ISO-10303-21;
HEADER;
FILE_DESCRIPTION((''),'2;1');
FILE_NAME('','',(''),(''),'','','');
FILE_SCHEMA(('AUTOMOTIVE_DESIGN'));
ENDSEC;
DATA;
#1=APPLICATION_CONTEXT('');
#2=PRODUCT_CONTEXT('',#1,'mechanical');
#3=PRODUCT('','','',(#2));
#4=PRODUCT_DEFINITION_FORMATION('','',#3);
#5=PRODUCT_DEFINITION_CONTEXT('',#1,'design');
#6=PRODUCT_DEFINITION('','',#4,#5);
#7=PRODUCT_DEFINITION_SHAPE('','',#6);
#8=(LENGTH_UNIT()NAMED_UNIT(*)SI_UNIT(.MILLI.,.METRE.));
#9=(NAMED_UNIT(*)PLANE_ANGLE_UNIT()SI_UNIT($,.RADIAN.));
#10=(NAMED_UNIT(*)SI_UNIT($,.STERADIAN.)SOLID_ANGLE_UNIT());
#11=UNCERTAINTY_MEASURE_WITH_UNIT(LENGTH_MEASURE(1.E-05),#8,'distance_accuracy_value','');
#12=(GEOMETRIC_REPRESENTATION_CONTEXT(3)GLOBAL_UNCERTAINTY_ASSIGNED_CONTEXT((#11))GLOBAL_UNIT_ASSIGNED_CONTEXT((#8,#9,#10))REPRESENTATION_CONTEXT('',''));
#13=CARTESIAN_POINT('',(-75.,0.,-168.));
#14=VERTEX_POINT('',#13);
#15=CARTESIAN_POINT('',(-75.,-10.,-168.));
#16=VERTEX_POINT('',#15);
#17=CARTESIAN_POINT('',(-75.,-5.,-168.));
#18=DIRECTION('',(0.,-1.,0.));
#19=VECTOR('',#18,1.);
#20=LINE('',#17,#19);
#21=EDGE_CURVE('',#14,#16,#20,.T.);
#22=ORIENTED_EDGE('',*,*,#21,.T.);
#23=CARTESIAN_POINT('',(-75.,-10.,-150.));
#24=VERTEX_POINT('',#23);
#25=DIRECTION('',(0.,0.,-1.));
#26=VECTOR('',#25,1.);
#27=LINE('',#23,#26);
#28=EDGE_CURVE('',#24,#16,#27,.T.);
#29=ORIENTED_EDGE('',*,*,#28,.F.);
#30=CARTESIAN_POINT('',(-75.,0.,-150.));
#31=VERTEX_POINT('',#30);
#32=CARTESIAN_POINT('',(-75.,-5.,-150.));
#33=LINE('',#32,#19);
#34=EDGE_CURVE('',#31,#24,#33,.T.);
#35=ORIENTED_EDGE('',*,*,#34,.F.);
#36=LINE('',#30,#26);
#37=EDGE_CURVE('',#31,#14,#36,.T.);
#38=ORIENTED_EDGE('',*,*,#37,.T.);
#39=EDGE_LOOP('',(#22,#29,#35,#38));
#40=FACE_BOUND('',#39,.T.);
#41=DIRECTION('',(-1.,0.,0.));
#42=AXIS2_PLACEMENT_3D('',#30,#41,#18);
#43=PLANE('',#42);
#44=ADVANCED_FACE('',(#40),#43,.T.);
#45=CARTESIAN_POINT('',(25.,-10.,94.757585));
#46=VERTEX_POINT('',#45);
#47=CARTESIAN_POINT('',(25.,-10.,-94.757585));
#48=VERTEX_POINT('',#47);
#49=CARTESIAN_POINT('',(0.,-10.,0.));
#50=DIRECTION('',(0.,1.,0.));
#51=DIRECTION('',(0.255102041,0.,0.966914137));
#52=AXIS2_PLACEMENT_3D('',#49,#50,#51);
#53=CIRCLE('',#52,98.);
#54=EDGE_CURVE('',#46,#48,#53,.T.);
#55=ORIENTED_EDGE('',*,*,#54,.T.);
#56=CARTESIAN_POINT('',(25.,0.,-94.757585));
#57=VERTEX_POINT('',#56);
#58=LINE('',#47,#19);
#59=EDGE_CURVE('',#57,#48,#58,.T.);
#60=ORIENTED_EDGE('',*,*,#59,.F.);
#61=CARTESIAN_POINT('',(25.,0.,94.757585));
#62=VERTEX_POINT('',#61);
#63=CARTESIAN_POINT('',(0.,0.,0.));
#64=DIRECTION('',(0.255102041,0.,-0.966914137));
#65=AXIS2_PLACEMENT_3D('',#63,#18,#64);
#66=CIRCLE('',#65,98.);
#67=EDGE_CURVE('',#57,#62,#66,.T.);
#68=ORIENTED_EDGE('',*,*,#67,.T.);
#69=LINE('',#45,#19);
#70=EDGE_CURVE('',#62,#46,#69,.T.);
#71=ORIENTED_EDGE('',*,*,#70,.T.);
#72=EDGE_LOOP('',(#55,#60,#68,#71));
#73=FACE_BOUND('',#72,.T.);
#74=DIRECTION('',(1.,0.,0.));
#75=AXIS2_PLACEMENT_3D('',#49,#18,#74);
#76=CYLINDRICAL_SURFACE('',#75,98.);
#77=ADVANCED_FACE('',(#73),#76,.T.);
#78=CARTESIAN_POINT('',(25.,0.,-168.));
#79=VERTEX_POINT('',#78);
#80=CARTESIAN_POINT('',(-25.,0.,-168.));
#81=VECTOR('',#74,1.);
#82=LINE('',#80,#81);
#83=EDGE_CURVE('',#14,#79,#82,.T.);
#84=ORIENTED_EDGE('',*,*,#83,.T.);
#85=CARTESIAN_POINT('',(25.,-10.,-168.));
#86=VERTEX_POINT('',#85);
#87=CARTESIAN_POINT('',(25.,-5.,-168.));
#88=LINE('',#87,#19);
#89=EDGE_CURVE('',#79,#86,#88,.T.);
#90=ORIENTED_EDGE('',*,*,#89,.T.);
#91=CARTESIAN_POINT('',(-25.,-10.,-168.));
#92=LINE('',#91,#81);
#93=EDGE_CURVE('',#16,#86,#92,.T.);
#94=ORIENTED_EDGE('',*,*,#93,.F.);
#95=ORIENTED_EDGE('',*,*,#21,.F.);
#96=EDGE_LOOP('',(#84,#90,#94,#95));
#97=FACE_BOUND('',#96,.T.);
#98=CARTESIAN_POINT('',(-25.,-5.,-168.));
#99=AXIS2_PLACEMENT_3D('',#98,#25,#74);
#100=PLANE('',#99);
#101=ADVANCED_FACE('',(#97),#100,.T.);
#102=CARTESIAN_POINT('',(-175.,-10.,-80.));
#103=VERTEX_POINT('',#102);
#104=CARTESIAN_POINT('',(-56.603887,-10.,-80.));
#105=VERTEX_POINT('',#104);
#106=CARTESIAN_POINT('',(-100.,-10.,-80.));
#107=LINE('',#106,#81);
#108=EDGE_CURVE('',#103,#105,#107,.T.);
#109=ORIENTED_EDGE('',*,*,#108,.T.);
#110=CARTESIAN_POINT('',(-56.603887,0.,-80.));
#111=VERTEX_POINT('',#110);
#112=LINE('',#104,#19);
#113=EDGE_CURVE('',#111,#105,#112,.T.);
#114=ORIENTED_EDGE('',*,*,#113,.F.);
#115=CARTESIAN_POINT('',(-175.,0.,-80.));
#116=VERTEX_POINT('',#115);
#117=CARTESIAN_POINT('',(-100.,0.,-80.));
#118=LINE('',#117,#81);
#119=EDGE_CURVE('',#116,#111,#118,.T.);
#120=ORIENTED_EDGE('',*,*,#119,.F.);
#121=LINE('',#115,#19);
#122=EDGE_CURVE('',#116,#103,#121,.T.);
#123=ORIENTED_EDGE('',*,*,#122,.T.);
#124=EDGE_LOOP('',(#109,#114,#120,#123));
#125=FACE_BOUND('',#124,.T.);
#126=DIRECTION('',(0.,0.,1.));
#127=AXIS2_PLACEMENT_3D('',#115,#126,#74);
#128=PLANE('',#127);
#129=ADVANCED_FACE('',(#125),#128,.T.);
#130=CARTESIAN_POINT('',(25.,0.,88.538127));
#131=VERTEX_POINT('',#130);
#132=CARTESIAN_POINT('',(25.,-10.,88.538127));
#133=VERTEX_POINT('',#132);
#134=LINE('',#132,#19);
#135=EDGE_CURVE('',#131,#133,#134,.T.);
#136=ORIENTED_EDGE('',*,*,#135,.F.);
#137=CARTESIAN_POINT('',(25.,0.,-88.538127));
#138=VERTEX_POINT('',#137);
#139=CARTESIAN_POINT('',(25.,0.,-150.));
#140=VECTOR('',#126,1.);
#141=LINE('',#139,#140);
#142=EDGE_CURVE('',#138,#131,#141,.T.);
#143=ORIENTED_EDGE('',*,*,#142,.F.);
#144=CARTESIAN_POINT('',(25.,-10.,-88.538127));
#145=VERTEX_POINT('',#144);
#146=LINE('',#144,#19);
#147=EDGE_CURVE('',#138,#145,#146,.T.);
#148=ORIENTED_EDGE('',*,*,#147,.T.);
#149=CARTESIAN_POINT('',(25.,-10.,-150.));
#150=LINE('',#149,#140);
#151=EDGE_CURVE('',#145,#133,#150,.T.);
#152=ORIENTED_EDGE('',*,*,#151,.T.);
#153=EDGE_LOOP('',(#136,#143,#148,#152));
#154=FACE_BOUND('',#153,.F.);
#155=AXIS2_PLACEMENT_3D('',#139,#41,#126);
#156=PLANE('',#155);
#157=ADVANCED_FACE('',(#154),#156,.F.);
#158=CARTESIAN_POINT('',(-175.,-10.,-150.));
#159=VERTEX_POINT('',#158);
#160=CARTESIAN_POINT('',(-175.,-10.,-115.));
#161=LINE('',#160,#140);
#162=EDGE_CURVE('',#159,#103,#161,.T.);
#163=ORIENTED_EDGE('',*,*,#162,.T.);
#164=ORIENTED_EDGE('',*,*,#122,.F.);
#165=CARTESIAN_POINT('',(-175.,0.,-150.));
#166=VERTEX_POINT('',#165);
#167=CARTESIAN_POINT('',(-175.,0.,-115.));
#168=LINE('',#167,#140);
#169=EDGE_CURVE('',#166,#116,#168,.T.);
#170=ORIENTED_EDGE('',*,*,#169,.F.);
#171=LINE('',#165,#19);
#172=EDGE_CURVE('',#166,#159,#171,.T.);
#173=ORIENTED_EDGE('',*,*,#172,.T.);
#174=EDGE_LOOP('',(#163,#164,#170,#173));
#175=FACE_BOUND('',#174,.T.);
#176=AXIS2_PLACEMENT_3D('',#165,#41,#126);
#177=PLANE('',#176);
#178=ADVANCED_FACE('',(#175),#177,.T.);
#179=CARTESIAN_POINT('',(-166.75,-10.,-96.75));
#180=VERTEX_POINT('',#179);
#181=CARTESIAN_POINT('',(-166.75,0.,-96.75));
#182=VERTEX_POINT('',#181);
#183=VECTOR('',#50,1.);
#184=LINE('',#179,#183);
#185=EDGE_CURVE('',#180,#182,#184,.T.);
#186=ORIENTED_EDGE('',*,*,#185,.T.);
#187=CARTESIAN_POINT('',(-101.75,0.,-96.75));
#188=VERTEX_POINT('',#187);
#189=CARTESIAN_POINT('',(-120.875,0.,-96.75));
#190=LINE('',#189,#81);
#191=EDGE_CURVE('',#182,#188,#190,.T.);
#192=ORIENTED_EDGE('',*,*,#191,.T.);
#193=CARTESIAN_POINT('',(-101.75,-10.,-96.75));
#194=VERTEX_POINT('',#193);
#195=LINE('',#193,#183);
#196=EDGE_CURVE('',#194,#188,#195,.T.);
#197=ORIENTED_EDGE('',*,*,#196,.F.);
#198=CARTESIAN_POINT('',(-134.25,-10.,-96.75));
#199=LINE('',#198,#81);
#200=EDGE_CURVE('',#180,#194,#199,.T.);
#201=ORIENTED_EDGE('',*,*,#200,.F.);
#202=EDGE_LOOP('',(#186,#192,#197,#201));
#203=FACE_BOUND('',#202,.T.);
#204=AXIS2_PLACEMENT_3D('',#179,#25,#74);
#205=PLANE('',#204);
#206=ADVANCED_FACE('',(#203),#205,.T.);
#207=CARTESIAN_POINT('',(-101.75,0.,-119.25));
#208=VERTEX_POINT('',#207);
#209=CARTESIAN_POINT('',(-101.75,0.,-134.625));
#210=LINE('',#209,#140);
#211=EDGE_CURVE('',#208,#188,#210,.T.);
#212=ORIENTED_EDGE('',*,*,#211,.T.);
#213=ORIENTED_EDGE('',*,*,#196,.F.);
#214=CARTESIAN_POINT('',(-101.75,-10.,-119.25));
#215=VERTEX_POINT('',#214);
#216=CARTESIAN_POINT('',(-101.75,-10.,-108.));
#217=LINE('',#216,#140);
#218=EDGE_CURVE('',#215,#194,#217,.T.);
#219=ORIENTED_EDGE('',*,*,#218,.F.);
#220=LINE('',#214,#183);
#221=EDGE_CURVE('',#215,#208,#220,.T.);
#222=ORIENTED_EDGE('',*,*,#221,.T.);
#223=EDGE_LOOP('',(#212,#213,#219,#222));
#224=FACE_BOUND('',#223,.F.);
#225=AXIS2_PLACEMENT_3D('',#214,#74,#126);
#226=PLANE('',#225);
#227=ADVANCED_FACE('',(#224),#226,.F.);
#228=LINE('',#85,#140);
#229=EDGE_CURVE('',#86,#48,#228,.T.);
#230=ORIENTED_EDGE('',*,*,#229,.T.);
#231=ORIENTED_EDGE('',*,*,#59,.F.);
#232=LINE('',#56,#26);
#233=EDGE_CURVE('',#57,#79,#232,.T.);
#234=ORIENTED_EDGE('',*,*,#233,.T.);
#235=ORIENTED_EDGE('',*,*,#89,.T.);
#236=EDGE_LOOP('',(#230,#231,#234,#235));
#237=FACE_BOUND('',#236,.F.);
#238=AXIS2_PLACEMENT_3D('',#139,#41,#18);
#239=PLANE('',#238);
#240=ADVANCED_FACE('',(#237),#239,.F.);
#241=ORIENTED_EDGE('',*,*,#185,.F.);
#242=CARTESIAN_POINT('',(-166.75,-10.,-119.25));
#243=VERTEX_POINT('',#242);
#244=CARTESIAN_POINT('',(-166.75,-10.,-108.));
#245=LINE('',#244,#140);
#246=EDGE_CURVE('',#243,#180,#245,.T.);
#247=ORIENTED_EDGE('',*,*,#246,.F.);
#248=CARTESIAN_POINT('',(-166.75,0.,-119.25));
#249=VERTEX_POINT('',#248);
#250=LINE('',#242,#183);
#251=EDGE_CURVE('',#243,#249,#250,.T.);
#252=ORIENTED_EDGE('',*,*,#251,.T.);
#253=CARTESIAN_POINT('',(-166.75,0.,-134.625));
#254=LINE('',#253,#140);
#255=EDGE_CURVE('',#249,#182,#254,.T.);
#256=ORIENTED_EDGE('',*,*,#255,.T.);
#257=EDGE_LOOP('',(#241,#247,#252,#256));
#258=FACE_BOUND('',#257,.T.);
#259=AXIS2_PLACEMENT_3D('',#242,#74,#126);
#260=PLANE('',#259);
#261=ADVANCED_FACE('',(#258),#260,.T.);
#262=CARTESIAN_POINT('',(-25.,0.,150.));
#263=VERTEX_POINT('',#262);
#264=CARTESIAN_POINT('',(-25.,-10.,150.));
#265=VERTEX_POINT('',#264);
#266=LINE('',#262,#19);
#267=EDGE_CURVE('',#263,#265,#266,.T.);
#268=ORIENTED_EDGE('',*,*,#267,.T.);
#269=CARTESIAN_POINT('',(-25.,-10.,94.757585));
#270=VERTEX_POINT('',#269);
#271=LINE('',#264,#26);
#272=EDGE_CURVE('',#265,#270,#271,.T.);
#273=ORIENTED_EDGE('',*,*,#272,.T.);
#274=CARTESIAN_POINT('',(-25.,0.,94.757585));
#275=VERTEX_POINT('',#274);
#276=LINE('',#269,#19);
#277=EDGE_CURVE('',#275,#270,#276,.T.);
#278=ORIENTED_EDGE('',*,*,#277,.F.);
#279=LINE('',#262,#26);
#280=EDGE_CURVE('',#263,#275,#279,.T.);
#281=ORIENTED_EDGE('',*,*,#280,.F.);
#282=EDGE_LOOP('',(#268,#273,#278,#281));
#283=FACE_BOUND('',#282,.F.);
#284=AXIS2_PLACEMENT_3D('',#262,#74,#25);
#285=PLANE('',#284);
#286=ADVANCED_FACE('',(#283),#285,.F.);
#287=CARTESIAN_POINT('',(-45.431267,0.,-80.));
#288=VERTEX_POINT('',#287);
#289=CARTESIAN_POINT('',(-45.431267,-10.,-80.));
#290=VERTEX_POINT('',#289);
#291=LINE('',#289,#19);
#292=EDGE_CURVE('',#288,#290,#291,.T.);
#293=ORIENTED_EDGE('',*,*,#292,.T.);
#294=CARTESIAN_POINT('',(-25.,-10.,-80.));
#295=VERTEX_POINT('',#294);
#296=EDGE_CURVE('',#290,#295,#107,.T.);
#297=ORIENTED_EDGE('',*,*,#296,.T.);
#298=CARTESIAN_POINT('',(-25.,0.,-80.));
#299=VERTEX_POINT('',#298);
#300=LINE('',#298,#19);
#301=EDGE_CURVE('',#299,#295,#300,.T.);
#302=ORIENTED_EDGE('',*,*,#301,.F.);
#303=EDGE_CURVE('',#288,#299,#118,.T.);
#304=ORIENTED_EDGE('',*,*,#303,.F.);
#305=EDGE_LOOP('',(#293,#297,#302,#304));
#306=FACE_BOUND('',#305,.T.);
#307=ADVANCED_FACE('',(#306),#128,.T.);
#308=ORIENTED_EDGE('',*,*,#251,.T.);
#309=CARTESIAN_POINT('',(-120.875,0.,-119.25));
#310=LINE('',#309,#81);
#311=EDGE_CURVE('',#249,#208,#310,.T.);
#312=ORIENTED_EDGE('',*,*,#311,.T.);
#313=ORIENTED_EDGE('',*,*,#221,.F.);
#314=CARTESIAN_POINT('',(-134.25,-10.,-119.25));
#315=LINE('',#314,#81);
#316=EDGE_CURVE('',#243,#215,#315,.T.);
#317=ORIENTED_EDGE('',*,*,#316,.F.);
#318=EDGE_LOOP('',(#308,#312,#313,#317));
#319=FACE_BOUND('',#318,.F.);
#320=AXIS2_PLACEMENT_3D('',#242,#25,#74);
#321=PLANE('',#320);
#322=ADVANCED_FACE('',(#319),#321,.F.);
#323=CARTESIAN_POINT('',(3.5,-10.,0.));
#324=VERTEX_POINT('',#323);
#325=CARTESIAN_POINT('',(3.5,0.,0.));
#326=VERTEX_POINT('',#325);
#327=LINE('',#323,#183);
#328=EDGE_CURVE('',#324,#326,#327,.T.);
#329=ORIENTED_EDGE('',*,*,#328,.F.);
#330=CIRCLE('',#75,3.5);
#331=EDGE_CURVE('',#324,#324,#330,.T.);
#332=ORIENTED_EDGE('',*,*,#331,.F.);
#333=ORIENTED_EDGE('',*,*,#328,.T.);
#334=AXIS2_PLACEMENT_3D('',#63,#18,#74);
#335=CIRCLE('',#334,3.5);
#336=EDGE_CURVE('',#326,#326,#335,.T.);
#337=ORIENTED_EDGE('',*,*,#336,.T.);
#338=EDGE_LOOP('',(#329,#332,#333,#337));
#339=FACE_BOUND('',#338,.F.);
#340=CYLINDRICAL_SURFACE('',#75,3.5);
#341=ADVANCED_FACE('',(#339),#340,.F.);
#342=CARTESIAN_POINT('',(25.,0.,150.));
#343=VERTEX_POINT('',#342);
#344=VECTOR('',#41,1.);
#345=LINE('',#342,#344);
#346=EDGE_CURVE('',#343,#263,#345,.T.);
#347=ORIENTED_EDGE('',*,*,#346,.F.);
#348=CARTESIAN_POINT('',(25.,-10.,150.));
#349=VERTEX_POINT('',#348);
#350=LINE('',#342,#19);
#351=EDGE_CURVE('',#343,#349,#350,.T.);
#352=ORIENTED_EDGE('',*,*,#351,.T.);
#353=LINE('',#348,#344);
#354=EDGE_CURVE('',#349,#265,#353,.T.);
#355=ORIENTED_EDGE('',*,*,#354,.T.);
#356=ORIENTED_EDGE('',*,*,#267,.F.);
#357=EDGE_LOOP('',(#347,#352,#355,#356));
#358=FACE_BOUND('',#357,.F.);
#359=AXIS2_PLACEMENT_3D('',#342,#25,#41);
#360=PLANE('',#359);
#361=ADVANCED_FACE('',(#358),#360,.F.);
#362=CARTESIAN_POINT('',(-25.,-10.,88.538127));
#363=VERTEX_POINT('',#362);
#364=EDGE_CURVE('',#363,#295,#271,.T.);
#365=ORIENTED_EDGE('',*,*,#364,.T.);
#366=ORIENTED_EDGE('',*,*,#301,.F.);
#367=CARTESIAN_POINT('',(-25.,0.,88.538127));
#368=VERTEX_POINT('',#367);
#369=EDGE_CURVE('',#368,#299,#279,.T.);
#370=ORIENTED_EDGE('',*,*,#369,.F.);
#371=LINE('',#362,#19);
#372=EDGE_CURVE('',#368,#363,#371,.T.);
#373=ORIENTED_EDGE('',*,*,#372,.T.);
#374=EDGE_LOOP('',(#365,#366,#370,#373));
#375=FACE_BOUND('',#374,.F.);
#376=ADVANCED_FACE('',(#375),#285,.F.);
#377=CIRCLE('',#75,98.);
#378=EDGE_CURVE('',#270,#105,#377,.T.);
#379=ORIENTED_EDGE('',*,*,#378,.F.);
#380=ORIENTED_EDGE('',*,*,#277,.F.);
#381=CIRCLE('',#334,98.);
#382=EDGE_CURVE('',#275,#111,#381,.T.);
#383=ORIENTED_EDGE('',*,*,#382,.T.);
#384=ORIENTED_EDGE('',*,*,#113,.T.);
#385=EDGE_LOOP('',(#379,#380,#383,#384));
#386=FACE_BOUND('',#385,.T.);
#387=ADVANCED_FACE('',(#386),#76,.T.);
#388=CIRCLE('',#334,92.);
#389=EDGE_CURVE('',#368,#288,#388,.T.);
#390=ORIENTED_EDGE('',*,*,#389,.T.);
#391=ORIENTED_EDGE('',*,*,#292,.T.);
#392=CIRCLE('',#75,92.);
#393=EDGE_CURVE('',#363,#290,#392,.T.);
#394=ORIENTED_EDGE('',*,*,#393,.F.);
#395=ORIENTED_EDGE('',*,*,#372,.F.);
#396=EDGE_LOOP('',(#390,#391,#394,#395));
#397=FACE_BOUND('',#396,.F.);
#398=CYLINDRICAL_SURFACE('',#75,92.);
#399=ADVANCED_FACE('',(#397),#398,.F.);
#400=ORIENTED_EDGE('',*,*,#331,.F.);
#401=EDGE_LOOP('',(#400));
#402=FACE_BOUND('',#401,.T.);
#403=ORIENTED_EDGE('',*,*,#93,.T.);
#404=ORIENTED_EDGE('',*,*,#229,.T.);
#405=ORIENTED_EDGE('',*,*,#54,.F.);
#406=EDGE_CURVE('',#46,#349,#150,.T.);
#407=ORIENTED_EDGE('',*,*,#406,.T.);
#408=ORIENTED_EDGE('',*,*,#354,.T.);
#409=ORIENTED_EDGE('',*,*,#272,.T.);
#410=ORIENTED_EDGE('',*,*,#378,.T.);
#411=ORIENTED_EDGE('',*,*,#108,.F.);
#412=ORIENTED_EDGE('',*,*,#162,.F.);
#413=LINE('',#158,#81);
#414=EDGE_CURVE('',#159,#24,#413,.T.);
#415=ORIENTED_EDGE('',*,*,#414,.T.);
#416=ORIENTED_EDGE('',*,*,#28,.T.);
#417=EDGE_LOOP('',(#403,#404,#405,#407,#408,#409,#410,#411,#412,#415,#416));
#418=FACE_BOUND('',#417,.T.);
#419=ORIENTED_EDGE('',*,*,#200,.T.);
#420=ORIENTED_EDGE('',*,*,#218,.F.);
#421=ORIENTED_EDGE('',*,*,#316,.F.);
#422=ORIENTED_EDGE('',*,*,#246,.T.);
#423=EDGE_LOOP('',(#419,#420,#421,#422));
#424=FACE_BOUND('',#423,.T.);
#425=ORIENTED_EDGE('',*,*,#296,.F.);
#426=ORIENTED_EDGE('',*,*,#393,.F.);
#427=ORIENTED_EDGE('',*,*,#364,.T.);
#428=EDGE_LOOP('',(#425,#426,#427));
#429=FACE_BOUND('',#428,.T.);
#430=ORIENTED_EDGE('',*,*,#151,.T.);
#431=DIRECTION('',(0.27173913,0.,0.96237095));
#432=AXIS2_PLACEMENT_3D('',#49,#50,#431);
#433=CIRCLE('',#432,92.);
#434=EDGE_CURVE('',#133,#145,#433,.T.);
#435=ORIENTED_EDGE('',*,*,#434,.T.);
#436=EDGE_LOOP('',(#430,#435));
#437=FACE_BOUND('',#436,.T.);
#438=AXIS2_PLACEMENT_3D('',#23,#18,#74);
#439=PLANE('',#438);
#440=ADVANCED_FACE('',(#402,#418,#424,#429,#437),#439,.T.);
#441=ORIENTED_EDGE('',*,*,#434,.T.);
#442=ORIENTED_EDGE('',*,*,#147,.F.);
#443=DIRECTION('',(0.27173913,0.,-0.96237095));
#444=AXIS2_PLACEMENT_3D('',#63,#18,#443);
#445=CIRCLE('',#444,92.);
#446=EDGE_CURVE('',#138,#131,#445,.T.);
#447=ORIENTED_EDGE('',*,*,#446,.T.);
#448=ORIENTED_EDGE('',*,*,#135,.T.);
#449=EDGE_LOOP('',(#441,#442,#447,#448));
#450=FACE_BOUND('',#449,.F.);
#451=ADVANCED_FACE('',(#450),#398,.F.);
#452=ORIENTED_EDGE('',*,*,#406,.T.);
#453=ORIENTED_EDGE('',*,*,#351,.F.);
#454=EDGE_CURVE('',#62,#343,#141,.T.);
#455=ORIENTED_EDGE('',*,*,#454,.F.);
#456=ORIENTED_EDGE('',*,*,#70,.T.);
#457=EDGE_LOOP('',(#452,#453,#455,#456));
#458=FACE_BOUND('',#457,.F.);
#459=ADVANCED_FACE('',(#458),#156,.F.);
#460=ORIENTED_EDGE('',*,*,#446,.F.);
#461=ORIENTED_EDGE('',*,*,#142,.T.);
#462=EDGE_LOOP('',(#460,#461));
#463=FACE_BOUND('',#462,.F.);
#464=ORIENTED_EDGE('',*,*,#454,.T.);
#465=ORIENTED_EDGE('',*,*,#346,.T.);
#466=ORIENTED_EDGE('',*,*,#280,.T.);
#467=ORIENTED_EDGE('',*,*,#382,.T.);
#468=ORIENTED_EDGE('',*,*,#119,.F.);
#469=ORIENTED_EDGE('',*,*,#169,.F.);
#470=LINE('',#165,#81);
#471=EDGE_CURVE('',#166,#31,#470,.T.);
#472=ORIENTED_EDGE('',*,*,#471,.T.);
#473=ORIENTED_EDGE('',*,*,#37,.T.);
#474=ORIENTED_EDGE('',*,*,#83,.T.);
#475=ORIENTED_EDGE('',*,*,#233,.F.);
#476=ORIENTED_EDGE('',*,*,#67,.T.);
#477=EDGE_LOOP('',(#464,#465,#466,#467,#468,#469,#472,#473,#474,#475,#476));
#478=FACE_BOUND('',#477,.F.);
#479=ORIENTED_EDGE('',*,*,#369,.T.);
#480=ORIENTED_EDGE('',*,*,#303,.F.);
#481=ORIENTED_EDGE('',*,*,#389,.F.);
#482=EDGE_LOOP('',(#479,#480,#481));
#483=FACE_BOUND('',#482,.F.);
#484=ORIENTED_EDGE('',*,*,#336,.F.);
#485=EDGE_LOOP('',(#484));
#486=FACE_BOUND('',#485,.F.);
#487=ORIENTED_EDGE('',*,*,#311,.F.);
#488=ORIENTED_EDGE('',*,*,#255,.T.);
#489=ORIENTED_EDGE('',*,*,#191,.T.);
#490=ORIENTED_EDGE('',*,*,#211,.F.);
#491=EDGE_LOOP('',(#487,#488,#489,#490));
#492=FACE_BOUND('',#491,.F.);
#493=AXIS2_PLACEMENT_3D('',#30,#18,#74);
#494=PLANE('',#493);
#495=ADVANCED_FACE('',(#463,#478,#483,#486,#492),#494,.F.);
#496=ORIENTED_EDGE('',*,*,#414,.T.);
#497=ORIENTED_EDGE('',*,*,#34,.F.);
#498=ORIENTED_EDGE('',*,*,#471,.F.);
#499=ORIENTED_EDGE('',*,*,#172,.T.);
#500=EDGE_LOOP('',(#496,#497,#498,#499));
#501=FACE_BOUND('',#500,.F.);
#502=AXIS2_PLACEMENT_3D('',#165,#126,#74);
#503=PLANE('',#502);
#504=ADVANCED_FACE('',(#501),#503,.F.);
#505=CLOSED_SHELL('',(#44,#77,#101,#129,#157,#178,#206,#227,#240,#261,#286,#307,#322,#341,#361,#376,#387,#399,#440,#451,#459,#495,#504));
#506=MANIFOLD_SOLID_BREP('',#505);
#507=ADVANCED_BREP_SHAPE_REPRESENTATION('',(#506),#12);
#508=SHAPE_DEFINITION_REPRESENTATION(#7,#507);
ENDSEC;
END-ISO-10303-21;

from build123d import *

# Parameters (mm, degrees)
F0_W      = 150
F0_H      = 70
F1_DEPTH  = 10
F2_R      = 98
F2_R_2    = 92
F3_DEPTH  = 10
F4_W      = 100
F4_H      = 10
F5_DEPTH  = 18
F6_R      = 3.5
F7_DEPTH  = 25
F8_R      = 3.5
F9_DEPTH  = 25
F10_W     = 65
F10_H     = 22.5
F11_DEPTH = 25


with BuildPart() as f1:
    # F0 (on Front) → F1 (new body)
    with BuildSketch(Plane.XZ):
        Polygon((25, 150), (-25, 150), (-25, -80), (-25, -150), (25, -150), align=None)
        with Locations((-100, -115)):
            Rectangle(F0_W, F0_H)
    extrude(amount=F1_DEPTH)

    # F2 (on face) → F3 (join)
    with BuildSketch(Plane.XZ.offset(10)):
        Circle(F2_R)
        Circle(F2_R_2, mode=Mode.SUBTRACT)
    extrude(amount=-F3_DEPTH)

    # F4 (on face) → F5 (join)
    with BuildSketch(Plane(origin=(0, 0, -150), x_dir=(1, 0, 0), z_dir=(0, 0, -1))):
        with Locations((-25, 5)):
            Rectangle(F4_W, F4_H)
    extrude(amount=F5_DEPTH)

    # F6 (on face) → F7 (cut)
    with BuildSketch(Plane.XZ.offset(10)):
        Circle(F6_R)
    extrude(amount=-F7_DEPTH, mode=Mode.SUBTRACT)

    # F8 (on face) → F9 (cut)
    with BuildSketch(Plane.XZ.offset(10)):
        with Locations((-113, -108)):
            Circle(F8_R)
    extrude(amount=-F9_DEPTH, mode=Mode.SUBTRACT)

    # F10 (on face) → F11 (cut)
    with BuildSketch(Plane.XZ.offset(10)):
        with Locations((-134.25, -108)):
            Rectangle(F10_W, F10_H)
    extrude(amount=-F11_DEPTH, mode=Mode.SUBTRACT)


solid = f1.part
